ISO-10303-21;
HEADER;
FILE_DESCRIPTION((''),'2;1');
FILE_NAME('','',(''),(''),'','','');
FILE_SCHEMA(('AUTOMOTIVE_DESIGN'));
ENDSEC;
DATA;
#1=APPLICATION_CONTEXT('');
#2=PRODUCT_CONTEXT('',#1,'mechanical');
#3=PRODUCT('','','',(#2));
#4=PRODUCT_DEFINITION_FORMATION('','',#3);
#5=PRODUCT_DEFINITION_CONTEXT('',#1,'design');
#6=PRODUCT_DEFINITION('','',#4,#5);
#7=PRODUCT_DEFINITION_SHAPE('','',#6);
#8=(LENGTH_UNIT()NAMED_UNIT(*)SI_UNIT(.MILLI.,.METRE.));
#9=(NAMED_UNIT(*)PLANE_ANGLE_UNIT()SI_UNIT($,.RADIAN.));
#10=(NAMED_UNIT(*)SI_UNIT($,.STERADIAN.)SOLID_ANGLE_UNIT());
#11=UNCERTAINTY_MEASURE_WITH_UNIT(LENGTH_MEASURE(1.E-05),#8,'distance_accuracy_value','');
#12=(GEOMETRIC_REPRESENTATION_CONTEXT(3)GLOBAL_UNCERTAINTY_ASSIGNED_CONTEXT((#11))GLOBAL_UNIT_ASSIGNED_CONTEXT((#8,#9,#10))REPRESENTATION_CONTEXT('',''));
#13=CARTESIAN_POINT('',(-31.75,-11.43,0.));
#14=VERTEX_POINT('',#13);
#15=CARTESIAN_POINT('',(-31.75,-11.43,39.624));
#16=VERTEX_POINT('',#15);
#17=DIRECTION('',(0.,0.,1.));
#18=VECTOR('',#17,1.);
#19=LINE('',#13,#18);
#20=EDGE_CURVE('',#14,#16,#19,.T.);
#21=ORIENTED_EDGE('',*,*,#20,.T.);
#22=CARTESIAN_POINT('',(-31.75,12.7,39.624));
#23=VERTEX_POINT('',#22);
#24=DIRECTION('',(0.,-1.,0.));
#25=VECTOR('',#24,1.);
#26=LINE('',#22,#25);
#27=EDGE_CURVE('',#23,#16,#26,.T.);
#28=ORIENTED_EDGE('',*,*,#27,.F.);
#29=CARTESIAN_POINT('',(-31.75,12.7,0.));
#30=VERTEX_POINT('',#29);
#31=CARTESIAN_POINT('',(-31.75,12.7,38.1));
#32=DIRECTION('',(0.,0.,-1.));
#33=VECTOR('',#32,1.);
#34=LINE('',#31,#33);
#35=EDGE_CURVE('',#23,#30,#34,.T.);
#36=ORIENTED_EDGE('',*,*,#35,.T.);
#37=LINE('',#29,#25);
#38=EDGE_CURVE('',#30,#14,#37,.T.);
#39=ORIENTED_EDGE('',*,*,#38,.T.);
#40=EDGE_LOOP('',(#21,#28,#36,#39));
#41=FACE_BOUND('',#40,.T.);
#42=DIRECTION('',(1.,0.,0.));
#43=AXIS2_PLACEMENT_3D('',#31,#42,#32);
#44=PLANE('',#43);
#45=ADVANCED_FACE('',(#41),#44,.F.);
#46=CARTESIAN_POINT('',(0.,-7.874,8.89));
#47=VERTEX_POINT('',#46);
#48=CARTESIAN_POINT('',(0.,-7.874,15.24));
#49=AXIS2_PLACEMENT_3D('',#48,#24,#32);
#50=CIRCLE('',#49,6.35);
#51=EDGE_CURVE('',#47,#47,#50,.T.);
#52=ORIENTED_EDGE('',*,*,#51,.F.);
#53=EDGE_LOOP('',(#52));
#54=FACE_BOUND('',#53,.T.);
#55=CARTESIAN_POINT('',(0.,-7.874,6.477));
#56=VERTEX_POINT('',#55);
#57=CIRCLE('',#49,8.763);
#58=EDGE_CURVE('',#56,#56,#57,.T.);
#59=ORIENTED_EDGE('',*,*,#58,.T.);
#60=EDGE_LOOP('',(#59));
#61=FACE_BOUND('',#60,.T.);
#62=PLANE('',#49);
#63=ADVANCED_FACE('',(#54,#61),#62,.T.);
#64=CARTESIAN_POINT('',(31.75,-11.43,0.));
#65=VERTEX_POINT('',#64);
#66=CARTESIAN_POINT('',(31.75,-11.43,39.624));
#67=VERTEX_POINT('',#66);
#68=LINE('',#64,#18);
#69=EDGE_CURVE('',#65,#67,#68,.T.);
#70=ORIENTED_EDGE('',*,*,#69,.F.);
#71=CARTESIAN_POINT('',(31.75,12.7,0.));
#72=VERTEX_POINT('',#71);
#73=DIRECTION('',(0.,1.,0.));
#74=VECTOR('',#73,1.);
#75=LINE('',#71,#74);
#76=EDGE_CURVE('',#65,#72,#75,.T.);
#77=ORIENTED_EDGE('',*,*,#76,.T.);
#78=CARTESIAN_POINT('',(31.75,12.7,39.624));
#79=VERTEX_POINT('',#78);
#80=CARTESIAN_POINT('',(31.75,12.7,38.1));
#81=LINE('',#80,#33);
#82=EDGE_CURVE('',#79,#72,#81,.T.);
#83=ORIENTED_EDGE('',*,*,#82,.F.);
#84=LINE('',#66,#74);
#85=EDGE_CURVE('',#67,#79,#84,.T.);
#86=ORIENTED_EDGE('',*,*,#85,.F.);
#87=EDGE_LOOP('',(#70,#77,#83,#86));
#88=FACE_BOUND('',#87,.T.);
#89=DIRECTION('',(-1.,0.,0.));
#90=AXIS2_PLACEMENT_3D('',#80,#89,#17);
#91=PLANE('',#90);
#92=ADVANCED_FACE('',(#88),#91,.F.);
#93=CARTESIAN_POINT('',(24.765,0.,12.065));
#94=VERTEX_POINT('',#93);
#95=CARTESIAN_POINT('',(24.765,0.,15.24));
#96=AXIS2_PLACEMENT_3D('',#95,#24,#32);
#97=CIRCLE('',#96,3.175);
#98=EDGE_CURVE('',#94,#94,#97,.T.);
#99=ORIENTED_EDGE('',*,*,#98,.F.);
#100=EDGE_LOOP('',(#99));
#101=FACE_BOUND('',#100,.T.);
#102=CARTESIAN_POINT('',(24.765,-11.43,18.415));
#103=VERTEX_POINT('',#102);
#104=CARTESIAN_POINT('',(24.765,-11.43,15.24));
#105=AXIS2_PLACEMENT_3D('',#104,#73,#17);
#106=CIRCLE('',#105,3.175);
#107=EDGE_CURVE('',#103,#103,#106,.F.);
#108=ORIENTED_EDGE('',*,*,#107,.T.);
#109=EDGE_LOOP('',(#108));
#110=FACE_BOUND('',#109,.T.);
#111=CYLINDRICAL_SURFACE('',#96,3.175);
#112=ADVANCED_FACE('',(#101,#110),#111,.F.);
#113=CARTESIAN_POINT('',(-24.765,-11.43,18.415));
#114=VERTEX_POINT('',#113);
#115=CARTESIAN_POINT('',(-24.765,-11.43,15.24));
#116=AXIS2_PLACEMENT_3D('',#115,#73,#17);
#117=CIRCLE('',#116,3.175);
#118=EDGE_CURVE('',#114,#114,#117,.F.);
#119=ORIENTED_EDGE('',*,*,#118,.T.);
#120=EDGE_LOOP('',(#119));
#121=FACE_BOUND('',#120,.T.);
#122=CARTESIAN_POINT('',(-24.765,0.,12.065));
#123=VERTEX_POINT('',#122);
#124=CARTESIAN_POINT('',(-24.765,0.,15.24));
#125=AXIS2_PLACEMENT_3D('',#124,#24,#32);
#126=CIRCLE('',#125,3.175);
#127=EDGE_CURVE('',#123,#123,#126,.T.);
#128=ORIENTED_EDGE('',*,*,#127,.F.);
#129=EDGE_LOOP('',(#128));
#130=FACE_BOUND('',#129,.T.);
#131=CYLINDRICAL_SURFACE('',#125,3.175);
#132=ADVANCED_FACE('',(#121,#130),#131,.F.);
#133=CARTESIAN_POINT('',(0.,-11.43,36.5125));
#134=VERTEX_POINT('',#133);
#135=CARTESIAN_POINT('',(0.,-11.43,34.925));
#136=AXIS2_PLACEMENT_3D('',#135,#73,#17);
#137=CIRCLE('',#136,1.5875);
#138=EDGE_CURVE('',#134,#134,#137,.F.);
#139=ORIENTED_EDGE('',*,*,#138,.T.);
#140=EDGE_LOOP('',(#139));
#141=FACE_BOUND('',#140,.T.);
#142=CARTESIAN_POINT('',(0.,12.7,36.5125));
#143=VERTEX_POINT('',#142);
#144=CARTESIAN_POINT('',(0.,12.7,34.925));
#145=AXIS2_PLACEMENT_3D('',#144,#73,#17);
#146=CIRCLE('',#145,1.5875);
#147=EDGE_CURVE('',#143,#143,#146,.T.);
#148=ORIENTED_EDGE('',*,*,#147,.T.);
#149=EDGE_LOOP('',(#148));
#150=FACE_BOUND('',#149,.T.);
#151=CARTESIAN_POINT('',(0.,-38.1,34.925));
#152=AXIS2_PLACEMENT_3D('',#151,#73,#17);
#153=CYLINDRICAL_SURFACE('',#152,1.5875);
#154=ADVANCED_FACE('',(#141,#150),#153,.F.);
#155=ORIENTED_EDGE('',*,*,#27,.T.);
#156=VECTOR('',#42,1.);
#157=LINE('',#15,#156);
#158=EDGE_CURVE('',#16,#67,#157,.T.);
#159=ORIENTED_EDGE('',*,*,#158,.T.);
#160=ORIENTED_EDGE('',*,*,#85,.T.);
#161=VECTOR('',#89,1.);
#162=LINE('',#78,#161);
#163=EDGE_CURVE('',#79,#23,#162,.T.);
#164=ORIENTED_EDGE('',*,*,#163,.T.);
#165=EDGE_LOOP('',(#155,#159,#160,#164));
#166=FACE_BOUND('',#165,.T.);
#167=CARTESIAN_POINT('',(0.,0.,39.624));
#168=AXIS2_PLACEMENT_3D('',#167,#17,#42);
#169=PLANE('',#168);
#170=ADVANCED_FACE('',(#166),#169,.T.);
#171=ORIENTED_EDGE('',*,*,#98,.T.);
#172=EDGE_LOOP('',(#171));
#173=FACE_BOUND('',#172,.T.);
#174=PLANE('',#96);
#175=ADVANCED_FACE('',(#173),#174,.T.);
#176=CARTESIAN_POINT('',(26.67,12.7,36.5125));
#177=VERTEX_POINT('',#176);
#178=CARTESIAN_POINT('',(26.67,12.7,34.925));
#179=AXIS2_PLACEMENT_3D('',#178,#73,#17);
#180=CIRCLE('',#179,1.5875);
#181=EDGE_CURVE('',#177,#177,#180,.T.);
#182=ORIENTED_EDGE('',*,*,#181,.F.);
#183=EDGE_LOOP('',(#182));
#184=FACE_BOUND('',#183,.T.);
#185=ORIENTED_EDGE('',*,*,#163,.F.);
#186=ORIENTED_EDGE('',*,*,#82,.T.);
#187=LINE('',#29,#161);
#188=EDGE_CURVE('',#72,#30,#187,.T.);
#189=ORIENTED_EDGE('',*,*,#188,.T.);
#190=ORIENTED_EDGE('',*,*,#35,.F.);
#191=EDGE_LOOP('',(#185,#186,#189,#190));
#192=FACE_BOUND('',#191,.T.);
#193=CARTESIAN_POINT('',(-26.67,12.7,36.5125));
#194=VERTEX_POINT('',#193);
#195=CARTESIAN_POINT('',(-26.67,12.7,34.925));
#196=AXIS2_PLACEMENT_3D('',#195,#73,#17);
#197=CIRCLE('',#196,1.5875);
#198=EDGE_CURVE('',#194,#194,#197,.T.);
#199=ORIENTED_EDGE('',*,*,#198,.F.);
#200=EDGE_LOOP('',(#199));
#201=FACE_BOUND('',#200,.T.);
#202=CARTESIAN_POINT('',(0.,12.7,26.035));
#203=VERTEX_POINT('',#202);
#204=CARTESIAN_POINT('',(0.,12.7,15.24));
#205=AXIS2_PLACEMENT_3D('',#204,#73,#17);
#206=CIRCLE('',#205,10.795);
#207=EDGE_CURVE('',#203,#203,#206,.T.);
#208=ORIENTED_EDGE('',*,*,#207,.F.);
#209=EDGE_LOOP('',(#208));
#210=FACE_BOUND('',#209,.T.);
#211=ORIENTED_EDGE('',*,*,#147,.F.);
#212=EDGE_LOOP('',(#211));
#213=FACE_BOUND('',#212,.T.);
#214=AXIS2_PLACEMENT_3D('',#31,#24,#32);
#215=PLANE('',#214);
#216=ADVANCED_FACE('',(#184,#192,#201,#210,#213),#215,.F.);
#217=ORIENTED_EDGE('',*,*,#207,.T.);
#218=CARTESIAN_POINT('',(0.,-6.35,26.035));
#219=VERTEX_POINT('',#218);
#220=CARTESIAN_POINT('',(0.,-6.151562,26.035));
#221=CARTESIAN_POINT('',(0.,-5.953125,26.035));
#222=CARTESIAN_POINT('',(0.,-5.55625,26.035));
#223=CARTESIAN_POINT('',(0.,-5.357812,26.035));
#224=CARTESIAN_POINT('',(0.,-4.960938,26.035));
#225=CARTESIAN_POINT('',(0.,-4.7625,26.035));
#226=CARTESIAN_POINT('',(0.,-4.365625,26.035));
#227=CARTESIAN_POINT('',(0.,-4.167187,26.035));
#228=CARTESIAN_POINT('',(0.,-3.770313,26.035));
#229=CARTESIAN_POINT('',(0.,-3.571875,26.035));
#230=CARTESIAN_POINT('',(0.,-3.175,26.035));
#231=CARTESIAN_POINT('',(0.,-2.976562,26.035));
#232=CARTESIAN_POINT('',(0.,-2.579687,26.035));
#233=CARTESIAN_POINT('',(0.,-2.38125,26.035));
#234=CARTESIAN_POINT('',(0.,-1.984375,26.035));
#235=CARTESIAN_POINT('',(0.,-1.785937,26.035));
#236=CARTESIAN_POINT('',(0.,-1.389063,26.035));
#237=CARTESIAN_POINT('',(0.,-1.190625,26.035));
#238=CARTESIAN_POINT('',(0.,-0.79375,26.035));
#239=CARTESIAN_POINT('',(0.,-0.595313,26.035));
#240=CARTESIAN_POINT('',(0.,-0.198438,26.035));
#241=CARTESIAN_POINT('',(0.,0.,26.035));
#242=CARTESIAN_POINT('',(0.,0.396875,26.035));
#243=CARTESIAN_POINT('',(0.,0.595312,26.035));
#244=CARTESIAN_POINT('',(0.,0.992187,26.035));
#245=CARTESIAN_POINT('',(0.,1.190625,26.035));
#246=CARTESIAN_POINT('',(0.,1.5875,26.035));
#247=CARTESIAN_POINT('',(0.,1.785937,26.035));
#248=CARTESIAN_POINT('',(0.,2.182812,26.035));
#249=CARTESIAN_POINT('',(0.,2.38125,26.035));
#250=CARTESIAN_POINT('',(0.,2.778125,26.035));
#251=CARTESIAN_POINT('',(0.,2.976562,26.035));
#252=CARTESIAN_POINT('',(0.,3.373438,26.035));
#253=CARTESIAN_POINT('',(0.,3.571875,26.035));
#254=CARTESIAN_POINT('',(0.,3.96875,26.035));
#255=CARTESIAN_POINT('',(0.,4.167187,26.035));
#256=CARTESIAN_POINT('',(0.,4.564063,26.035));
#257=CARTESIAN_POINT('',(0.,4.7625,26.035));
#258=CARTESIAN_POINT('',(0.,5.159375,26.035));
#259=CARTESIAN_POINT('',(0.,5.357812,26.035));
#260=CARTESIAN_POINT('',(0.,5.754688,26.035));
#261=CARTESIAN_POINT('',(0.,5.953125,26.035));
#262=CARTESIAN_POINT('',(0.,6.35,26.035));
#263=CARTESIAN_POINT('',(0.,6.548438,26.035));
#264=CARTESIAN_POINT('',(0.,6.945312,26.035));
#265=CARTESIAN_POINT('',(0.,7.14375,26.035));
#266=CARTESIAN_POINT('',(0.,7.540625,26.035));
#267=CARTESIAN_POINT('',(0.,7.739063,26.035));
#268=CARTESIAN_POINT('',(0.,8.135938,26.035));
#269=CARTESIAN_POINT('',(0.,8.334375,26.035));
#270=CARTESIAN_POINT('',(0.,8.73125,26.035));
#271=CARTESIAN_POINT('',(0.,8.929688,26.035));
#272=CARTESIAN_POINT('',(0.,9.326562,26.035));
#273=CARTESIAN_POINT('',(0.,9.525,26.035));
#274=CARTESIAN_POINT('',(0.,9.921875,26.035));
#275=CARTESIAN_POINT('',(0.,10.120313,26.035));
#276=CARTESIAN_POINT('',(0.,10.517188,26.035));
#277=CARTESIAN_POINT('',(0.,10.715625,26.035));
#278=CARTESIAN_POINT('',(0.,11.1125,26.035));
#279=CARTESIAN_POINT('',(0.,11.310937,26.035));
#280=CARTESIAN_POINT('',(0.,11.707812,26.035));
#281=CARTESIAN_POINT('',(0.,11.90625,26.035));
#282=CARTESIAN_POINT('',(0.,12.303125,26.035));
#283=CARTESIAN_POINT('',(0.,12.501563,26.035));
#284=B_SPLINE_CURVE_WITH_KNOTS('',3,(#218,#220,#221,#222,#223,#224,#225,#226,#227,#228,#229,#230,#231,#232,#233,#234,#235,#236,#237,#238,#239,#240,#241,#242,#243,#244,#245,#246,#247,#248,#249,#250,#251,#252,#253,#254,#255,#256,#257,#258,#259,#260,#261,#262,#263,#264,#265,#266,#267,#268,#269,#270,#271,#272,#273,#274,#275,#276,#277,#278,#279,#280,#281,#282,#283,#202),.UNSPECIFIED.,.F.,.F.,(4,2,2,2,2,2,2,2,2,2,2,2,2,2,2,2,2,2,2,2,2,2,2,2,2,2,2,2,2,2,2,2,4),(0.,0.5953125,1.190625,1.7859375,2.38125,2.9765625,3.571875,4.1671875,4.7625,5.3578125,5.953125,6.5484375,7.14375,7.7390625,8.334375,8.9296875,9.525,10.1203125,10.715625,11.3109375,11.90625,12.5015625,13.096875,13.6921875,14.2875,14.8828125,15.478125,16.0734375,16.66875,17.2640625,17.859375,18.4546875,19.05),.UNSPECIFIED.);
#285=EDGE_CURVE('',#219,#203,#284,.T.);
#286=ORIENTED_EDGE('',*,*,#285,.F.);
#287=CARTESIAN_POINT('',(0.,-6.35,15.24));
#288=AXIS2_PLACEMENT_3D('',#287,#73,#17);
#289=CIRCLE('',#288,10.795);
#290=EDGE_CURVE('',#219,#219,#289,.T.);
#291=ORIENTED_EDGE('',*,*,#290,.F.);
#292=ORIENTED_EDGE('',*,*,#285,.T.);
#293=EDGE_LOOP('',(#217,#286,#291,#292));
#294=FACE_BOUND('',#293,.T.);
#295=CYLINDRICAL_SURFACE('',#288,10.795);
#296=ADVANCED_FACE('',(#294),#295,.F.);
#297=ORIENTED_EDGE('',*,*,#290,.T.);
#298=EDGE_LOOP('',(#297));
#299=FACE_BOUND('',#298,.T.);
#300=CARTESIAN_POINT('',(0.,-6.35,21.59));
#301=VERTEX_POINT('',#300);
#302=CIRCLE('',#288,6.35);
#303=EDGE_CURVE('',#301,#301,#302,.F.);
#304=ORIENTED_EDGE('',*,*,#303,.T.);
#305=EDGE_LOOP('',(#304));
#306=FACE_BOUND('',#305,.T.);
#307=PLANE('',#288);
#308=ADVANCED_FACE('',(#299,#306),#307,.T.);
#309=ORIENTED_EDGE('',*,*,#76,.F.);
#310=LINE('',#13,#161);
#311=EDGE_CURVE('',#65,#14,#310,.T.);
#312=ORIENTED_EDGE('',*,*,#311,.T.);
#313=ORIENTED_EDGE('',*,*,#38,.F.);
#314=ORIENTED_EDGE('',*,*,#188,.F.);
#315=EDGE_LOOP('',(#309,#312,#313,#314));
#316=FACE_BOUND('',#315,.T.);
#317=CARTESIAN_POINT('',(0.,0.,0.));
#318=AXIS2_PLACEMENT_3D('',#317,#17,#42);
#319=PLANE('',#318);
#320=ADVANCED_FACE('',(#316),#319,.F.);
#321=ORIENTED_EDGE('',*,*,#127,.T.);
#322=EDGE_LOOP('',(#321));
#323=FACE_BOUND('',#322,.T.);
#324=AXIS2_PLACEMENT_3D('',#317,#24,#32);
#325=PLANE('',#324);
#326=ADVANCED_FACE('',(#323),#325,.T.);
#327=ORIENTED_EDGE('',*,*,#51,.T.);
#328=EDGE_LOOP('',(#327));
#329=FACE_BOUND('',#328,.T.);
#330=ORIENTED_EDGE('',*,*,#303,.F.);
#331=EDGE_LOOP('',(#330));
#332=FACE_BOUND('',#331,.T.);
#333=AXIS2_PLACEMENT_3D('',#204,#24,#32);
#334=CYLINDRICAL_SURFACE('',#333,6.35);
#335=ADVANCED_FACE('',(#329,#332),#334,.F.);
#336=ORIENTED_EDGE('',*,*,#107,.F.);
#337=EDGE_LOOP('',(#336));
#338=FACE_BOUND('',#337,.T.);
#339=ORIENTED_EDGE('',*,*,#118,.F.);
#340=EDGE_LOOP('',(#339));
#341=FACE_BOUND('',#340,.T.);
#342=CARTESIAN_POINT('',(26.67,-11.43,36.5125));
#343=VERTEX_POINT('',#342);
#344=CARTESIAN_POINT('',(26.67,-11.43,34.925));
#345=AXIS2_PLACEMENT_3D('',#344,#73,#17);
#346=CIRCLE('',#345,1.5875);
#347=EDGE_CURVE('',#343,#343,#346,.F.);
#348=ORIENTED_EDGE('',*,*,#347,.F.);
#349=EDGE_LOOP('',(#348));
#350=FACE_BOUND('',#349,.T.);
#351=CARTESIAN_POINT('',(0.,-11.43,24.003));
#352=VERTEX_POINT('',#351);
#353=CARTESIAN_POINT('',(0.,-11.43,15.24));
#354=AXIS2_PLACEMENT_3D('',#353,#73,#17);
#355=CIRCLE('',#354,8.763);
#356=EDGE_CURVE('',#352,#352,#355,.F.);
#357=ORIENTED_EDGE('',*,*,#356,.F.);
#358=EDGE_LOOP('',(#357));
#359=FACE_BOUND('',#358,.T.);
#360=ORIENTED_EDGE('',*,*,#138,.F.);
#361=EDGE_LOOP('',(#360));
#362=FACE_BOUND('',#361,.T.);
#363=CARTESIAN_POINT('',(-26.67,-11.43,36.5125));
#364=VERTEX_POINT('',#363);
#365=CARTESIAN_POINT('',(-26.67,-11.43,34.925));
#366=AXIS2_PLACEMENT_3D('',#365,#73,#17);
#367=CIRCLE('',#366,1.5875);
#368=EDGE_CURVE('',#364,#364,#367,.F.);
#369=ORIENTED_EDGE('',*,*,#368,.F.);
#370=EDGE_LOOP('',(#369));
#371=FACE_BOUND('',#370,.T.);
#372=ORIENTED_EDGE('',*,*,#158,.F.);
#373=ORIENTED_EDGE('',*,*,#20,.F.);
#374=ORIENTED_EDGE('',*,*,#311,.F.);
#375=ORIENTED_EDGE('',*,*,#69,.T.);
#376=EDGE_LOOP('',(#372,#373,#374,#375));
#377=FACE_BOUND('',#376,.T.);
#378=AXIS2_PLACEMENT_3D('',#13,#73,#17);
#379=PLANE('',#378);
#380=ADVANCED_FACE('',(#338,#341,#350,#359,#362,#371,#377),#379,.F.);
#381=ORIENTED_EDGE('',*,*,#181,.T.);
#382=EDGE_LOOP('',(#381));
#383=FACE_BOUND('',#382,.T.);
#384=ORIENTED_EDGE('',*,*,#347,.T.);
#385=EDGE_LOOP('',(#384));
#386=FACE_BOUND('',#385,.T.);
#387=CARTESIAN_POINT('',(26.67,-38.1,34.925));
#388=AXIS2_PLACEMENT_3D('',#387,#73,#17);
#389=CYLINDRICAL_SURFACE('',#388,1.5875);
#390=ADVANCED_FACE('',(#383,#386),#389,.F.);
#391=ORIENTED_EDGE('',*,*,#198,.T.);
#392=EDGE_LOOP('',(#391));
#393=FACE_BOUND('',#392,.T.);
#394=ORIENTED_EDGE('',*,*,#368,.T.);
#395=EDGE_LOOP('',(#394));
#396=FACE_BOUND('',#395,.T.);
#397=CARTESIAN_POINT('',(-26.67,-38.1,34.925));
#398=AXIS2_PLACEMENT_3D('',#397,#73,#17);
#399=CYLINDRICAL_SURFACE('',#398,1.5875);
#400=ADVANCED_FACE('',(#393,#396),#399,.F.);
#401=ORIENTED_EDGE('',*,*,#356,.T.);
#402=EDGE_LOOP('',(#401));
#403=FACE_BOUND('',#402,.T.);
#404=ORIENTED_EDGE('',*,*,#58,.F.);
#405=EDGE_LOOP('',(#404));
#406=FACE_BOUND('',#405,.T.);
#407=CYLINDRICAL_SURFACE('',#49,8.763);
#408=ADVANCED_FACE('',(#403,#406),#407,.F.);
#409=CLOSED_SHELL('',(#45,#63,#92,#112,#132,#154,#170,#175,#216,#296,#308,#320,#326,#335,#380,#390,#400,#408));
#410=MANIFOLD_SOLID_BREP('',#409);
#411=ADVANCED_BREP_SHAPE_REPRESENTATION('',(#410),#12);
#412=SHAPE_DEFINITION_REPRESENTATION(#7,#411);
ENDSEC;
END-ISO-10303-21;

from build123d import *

# Parameters (mm, degrees)
SKETCH1_W           = 63.5
SKETCH1_H           = 25.4
BOSS_EXTRUDE1_DEPTH = 38.1
SKETCH2_R           = 3.175
CUT_EXTRUDE1_DEPTH  = 12.7
SKETCH2_3_R         = 8.763
CUT_EXTRUDE2_DEPTH  = 4.826
CUT_EXTRUDE3_START  = -20.574
SKETCH3_R           = 6.35
CUT_EXTRUDE3_DEPTH  = 20.574
SKETCH4_R           = 10.795
CUT_EXTRUDE4_DEPTH  = 19.05
SKETCH5_R           = 1.5875
CUT_EXTRUDE5_DEPTH  = 50.8
SKETCH6_W           = 63.5
SKETCH6_H           = 1.27
CUT_EXTRUDE6_DEPTH  = 38.1
SKETCH7_W           = 63.5
SKETCH7_H           = 24.13
BOSS_EXTRUDE2_DEPTH = 1.524


with BuildPart() as part:
    # Sketch1 → Boss-Extrude1 (new body)
    with BuildSketch(Plane.XY):
        Rectangle(SKETCH1_W, SKETCH1_H)
    extrude(amount=BOSS_EXTRUDE1_DEPTH)

    # Sketch2 → Cut-Extrude1 (cut)
    with BuildSketch(Plane.XZ.offset(12.7)):
        with Locations(Location((-24.765, 15.24, 0), (0, 0, 270))):
            Circle(SKETCH2_R)
        with Locations(Location((24.765, 15.24, 0), (0, 0, 270))):
            Circle(SKETCH2_R)
    extrude(amount=-CUT_EXTRUDE1_DEPTH, mode=Mode.SUBTRACT)

    # Sketch2<3> → Cut-Extrude2 (cut)
    with BuildSketch(Plane.XZ.offset(12.7)):
        with Locations(Location((0, 15.24, 0), (0, 0, 270))):
            Circle(SKETCH2_3_R)
    extrude(amount=-CUT_EXTRUDE2_DEPTH, mode=Mode.SUBTRACT)

    # Sketch3 → Cut-Extrude3 (cut)
    with BuildSketch(Plane.XZ.offset(7.874).offset(CUT_EXTRUDE3_START)):
        with Locations(Location((0, 15.24, 0), (0, 0, 270))):
            Circle(SKETCH3_R)
    extrude(amount=CUT_EXTRUDE3_DEPTH, mode=Mode.SUBTRACT)

    # Sketch4 → Cut-Extrude4 (cut)
    with BuildSketch(Plane(origin=(0, 12.7, 0), x_dir=(1, 0, 0), z_dir=(0, 1, 0))):
        with Locations(Location((0, -15.24, 0), (0, 0, 270))):
            Circle(SKETCH4_R)
    extrude(amount=-CUT_EXTRUDE4_DEPTH, mode=Mode.SUBTRACT)

    # Sketch5 → Cut-Extrude5 (cut)
    with BuildSketch(Plane(origin=(0, 12.7, 0), x_dir=(1, 0, 0), z_dir=(0, 1, 0))):
        with Locations(Location((-26.67, -34.925, 0), (0, 0, 270))):
            Circle(SKETCH5_R)
        with Locations(Location((0, -34.925, 0), (0, 0, 270))):
            Circle(SKETCH5_R)
        with Locations(Location((26.67, -34.925, 0), (0, 0, 270))):
            Circle(SKETCH5_R)
    extrude(amount=-CUT_EXTRUDE5_DEPTH, mode=Mode.SUBTRACT)

    # Sketch6 → Cut-Extrude6 (cut)
    with BuildSketch(Plane.XY.offset(38.1)):
        with Locations((0, -12.065)):
            Rectangle(SKETCH6_W, SKETCH6_H)
    extrude(amount=-CUT_EXTRUDE6_DEPTH, mode=Mode.SUBTRACT)

    # Sketch7 → Boss-Extrude2 (add)
    with BuildSketch(Plane.XY.offset(38.1)):
        with Locations((0, 0.635)):
            Rectangle(SKETCH7_W, SKETCH7_H)
    extrude(amount=BOSS_EXTRUDE2_DEPTH)


solid = part.part
